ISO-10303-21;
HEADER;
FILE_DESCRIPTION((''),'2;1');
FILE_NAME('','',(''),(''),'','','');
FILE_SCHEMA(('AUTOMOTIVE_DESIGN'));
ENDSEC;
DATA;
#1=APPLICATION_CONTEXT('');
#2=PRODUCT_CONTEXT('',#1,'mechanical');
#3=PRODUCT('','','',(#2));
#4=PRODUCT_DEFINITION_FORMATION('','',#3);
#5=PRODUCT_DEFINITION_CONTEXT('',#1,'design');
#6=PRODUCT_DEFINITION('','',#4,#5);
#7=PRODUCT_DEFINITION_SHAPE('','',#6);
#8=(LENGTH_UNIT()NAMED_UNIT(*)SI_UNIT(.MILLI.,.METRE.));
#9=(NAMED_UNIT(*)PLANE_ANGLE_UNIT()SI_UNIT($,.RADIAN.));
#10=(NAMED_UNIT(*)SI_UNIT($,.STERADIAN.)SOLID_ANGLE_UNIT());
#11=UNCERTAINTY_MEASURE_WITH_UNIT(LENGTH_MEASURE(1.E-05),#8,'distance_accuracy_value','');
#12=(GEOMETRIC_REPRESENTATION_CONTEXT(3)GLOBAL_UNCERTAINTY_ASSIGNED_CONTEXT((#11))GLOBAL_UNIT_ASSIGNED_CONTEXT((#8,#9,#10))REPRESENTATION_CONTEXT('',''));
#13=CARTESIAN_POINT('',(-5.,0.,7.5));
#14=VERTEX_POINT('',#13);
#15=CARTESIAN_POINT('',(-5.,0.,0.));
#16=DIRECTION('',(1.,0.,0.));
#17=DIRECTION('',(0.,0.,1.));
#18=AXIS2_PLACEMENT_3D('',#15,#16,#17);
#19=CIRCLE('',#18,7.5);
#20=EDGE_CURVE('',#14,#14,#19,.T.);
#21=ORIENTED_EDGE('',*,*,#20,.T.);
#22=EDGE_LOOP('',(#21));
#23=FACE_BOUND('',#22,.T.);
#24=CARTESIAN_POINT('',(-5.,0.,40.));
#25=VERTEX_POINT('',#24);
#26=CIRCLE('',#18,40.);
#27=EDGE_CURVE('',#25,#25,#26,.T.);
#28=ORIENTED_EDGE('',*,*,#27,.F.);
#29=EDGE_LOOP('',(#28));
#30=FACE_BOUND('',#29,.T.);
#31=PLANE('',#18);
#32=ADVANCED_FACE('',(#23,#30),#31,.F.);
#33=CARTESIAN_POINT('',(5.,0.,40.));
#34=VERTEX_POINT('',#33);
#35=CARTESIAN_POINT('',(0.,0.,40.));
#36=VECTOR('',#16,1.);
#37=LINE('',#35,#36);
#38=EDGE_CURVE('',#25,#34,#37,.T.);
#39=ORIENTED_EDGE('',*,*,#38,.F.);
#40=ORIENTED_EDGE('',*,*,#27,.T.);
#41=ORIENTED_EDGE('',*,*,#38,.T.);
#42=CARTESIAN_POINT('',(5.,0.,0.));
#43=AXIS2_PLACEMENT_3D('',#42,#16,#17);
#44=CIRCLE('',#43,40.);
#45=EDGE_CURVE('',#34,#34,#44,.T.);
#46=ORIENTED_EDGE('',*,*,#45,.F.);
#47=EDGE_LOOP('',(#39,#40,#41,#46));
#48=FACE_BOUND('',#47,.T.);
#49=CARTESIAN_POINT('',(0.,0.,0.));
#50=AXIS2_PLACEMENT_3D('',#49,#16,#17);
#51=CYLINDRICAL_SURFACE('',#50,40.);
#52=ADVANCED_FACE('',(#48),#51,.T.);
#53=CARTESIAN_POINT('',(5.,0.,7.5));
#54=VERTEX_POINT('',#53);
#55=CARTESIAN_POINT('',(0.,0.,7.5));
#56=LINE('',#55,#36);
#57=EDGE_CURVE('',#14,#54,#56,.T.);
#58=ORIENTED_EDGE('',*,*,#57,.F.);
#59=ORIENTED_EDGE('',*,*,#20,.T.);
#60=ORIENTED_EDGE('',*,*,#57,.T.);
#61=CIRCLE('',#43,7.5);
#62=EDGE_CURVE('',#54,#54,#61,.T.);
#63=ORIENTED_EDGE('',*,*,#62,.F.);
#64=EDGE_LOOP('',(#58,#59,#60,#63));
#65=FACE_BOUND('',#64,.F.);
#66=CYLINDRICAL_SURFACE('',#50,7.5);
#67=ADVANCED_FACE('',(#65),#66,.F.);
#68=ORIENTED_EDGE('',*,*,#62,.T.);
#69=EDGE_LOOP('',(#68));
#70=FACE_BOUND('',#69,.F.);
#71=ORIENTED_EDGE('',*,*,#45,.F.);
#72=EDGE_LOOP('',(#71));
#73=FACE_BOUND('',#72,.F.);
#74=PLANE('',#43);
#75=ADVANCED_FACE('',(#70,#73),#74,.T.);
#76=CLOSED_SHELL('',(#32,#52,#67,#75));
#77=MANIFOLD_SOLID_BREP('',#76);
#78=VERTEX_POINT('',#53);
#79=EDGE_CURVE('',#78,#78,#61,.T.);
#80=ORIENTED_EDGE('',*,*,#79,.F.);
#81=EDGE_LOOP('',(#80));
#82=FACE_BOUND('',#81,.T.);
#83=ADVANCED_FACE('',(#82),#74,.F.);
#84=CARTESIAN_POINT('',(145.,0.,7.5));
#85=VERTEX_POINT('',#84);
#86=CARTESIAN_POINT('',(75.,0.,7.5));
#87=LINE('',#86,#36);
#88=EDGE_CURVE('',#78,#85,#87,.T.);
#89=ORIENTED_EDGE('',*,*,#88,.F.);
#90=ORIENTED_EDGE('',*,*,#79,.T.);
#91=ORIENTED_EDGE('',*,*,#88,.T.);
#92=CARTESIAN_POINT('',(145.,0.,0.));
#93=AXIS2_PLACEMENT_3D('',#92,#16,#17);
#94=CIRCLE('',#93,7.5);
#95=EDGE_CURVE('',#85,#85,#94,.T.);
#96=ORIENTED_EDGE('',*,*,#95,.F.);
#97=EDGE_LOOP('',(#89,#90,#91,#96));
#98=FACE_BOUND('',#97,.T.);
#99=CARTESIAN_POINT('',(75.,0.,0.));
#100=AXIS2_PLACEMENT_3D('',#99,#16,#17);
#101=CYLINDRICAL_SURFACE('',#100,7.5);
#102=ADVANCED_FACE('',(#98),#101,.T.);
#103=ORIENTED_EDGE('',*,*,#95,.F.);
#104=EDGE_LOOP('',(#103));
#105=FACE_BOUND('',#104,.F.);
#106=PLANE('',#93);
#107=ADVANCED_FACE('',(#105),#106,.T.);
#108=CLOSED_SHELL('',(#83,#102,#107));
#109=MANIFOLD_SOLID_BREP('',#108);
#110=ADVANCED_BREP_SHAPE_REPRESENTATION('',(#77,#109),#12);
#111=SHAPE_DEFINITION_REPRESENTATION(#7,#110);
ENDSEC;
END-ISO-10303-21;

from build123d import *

# Parameters (mm, degrees)
F0_W   = 10
F0_H   = 32.5
F0_W_2 = 140
F0_H_2 = 7.5


with BuildPart() as f1:
    # F0 (on Front) → F1 (revolve)
    with BuildSketch(Plane.XZ):
        with Locations((0, 23.75)):
            Rectangle(F0_W, F0_H)
        with Locations((75, 3.75)):
            Rectangle(F0_W_2, F0_H_2)
    revolve(axis=Axis((79.403181, 0, 0), (1, 0, 0)))


solid = f1.part
